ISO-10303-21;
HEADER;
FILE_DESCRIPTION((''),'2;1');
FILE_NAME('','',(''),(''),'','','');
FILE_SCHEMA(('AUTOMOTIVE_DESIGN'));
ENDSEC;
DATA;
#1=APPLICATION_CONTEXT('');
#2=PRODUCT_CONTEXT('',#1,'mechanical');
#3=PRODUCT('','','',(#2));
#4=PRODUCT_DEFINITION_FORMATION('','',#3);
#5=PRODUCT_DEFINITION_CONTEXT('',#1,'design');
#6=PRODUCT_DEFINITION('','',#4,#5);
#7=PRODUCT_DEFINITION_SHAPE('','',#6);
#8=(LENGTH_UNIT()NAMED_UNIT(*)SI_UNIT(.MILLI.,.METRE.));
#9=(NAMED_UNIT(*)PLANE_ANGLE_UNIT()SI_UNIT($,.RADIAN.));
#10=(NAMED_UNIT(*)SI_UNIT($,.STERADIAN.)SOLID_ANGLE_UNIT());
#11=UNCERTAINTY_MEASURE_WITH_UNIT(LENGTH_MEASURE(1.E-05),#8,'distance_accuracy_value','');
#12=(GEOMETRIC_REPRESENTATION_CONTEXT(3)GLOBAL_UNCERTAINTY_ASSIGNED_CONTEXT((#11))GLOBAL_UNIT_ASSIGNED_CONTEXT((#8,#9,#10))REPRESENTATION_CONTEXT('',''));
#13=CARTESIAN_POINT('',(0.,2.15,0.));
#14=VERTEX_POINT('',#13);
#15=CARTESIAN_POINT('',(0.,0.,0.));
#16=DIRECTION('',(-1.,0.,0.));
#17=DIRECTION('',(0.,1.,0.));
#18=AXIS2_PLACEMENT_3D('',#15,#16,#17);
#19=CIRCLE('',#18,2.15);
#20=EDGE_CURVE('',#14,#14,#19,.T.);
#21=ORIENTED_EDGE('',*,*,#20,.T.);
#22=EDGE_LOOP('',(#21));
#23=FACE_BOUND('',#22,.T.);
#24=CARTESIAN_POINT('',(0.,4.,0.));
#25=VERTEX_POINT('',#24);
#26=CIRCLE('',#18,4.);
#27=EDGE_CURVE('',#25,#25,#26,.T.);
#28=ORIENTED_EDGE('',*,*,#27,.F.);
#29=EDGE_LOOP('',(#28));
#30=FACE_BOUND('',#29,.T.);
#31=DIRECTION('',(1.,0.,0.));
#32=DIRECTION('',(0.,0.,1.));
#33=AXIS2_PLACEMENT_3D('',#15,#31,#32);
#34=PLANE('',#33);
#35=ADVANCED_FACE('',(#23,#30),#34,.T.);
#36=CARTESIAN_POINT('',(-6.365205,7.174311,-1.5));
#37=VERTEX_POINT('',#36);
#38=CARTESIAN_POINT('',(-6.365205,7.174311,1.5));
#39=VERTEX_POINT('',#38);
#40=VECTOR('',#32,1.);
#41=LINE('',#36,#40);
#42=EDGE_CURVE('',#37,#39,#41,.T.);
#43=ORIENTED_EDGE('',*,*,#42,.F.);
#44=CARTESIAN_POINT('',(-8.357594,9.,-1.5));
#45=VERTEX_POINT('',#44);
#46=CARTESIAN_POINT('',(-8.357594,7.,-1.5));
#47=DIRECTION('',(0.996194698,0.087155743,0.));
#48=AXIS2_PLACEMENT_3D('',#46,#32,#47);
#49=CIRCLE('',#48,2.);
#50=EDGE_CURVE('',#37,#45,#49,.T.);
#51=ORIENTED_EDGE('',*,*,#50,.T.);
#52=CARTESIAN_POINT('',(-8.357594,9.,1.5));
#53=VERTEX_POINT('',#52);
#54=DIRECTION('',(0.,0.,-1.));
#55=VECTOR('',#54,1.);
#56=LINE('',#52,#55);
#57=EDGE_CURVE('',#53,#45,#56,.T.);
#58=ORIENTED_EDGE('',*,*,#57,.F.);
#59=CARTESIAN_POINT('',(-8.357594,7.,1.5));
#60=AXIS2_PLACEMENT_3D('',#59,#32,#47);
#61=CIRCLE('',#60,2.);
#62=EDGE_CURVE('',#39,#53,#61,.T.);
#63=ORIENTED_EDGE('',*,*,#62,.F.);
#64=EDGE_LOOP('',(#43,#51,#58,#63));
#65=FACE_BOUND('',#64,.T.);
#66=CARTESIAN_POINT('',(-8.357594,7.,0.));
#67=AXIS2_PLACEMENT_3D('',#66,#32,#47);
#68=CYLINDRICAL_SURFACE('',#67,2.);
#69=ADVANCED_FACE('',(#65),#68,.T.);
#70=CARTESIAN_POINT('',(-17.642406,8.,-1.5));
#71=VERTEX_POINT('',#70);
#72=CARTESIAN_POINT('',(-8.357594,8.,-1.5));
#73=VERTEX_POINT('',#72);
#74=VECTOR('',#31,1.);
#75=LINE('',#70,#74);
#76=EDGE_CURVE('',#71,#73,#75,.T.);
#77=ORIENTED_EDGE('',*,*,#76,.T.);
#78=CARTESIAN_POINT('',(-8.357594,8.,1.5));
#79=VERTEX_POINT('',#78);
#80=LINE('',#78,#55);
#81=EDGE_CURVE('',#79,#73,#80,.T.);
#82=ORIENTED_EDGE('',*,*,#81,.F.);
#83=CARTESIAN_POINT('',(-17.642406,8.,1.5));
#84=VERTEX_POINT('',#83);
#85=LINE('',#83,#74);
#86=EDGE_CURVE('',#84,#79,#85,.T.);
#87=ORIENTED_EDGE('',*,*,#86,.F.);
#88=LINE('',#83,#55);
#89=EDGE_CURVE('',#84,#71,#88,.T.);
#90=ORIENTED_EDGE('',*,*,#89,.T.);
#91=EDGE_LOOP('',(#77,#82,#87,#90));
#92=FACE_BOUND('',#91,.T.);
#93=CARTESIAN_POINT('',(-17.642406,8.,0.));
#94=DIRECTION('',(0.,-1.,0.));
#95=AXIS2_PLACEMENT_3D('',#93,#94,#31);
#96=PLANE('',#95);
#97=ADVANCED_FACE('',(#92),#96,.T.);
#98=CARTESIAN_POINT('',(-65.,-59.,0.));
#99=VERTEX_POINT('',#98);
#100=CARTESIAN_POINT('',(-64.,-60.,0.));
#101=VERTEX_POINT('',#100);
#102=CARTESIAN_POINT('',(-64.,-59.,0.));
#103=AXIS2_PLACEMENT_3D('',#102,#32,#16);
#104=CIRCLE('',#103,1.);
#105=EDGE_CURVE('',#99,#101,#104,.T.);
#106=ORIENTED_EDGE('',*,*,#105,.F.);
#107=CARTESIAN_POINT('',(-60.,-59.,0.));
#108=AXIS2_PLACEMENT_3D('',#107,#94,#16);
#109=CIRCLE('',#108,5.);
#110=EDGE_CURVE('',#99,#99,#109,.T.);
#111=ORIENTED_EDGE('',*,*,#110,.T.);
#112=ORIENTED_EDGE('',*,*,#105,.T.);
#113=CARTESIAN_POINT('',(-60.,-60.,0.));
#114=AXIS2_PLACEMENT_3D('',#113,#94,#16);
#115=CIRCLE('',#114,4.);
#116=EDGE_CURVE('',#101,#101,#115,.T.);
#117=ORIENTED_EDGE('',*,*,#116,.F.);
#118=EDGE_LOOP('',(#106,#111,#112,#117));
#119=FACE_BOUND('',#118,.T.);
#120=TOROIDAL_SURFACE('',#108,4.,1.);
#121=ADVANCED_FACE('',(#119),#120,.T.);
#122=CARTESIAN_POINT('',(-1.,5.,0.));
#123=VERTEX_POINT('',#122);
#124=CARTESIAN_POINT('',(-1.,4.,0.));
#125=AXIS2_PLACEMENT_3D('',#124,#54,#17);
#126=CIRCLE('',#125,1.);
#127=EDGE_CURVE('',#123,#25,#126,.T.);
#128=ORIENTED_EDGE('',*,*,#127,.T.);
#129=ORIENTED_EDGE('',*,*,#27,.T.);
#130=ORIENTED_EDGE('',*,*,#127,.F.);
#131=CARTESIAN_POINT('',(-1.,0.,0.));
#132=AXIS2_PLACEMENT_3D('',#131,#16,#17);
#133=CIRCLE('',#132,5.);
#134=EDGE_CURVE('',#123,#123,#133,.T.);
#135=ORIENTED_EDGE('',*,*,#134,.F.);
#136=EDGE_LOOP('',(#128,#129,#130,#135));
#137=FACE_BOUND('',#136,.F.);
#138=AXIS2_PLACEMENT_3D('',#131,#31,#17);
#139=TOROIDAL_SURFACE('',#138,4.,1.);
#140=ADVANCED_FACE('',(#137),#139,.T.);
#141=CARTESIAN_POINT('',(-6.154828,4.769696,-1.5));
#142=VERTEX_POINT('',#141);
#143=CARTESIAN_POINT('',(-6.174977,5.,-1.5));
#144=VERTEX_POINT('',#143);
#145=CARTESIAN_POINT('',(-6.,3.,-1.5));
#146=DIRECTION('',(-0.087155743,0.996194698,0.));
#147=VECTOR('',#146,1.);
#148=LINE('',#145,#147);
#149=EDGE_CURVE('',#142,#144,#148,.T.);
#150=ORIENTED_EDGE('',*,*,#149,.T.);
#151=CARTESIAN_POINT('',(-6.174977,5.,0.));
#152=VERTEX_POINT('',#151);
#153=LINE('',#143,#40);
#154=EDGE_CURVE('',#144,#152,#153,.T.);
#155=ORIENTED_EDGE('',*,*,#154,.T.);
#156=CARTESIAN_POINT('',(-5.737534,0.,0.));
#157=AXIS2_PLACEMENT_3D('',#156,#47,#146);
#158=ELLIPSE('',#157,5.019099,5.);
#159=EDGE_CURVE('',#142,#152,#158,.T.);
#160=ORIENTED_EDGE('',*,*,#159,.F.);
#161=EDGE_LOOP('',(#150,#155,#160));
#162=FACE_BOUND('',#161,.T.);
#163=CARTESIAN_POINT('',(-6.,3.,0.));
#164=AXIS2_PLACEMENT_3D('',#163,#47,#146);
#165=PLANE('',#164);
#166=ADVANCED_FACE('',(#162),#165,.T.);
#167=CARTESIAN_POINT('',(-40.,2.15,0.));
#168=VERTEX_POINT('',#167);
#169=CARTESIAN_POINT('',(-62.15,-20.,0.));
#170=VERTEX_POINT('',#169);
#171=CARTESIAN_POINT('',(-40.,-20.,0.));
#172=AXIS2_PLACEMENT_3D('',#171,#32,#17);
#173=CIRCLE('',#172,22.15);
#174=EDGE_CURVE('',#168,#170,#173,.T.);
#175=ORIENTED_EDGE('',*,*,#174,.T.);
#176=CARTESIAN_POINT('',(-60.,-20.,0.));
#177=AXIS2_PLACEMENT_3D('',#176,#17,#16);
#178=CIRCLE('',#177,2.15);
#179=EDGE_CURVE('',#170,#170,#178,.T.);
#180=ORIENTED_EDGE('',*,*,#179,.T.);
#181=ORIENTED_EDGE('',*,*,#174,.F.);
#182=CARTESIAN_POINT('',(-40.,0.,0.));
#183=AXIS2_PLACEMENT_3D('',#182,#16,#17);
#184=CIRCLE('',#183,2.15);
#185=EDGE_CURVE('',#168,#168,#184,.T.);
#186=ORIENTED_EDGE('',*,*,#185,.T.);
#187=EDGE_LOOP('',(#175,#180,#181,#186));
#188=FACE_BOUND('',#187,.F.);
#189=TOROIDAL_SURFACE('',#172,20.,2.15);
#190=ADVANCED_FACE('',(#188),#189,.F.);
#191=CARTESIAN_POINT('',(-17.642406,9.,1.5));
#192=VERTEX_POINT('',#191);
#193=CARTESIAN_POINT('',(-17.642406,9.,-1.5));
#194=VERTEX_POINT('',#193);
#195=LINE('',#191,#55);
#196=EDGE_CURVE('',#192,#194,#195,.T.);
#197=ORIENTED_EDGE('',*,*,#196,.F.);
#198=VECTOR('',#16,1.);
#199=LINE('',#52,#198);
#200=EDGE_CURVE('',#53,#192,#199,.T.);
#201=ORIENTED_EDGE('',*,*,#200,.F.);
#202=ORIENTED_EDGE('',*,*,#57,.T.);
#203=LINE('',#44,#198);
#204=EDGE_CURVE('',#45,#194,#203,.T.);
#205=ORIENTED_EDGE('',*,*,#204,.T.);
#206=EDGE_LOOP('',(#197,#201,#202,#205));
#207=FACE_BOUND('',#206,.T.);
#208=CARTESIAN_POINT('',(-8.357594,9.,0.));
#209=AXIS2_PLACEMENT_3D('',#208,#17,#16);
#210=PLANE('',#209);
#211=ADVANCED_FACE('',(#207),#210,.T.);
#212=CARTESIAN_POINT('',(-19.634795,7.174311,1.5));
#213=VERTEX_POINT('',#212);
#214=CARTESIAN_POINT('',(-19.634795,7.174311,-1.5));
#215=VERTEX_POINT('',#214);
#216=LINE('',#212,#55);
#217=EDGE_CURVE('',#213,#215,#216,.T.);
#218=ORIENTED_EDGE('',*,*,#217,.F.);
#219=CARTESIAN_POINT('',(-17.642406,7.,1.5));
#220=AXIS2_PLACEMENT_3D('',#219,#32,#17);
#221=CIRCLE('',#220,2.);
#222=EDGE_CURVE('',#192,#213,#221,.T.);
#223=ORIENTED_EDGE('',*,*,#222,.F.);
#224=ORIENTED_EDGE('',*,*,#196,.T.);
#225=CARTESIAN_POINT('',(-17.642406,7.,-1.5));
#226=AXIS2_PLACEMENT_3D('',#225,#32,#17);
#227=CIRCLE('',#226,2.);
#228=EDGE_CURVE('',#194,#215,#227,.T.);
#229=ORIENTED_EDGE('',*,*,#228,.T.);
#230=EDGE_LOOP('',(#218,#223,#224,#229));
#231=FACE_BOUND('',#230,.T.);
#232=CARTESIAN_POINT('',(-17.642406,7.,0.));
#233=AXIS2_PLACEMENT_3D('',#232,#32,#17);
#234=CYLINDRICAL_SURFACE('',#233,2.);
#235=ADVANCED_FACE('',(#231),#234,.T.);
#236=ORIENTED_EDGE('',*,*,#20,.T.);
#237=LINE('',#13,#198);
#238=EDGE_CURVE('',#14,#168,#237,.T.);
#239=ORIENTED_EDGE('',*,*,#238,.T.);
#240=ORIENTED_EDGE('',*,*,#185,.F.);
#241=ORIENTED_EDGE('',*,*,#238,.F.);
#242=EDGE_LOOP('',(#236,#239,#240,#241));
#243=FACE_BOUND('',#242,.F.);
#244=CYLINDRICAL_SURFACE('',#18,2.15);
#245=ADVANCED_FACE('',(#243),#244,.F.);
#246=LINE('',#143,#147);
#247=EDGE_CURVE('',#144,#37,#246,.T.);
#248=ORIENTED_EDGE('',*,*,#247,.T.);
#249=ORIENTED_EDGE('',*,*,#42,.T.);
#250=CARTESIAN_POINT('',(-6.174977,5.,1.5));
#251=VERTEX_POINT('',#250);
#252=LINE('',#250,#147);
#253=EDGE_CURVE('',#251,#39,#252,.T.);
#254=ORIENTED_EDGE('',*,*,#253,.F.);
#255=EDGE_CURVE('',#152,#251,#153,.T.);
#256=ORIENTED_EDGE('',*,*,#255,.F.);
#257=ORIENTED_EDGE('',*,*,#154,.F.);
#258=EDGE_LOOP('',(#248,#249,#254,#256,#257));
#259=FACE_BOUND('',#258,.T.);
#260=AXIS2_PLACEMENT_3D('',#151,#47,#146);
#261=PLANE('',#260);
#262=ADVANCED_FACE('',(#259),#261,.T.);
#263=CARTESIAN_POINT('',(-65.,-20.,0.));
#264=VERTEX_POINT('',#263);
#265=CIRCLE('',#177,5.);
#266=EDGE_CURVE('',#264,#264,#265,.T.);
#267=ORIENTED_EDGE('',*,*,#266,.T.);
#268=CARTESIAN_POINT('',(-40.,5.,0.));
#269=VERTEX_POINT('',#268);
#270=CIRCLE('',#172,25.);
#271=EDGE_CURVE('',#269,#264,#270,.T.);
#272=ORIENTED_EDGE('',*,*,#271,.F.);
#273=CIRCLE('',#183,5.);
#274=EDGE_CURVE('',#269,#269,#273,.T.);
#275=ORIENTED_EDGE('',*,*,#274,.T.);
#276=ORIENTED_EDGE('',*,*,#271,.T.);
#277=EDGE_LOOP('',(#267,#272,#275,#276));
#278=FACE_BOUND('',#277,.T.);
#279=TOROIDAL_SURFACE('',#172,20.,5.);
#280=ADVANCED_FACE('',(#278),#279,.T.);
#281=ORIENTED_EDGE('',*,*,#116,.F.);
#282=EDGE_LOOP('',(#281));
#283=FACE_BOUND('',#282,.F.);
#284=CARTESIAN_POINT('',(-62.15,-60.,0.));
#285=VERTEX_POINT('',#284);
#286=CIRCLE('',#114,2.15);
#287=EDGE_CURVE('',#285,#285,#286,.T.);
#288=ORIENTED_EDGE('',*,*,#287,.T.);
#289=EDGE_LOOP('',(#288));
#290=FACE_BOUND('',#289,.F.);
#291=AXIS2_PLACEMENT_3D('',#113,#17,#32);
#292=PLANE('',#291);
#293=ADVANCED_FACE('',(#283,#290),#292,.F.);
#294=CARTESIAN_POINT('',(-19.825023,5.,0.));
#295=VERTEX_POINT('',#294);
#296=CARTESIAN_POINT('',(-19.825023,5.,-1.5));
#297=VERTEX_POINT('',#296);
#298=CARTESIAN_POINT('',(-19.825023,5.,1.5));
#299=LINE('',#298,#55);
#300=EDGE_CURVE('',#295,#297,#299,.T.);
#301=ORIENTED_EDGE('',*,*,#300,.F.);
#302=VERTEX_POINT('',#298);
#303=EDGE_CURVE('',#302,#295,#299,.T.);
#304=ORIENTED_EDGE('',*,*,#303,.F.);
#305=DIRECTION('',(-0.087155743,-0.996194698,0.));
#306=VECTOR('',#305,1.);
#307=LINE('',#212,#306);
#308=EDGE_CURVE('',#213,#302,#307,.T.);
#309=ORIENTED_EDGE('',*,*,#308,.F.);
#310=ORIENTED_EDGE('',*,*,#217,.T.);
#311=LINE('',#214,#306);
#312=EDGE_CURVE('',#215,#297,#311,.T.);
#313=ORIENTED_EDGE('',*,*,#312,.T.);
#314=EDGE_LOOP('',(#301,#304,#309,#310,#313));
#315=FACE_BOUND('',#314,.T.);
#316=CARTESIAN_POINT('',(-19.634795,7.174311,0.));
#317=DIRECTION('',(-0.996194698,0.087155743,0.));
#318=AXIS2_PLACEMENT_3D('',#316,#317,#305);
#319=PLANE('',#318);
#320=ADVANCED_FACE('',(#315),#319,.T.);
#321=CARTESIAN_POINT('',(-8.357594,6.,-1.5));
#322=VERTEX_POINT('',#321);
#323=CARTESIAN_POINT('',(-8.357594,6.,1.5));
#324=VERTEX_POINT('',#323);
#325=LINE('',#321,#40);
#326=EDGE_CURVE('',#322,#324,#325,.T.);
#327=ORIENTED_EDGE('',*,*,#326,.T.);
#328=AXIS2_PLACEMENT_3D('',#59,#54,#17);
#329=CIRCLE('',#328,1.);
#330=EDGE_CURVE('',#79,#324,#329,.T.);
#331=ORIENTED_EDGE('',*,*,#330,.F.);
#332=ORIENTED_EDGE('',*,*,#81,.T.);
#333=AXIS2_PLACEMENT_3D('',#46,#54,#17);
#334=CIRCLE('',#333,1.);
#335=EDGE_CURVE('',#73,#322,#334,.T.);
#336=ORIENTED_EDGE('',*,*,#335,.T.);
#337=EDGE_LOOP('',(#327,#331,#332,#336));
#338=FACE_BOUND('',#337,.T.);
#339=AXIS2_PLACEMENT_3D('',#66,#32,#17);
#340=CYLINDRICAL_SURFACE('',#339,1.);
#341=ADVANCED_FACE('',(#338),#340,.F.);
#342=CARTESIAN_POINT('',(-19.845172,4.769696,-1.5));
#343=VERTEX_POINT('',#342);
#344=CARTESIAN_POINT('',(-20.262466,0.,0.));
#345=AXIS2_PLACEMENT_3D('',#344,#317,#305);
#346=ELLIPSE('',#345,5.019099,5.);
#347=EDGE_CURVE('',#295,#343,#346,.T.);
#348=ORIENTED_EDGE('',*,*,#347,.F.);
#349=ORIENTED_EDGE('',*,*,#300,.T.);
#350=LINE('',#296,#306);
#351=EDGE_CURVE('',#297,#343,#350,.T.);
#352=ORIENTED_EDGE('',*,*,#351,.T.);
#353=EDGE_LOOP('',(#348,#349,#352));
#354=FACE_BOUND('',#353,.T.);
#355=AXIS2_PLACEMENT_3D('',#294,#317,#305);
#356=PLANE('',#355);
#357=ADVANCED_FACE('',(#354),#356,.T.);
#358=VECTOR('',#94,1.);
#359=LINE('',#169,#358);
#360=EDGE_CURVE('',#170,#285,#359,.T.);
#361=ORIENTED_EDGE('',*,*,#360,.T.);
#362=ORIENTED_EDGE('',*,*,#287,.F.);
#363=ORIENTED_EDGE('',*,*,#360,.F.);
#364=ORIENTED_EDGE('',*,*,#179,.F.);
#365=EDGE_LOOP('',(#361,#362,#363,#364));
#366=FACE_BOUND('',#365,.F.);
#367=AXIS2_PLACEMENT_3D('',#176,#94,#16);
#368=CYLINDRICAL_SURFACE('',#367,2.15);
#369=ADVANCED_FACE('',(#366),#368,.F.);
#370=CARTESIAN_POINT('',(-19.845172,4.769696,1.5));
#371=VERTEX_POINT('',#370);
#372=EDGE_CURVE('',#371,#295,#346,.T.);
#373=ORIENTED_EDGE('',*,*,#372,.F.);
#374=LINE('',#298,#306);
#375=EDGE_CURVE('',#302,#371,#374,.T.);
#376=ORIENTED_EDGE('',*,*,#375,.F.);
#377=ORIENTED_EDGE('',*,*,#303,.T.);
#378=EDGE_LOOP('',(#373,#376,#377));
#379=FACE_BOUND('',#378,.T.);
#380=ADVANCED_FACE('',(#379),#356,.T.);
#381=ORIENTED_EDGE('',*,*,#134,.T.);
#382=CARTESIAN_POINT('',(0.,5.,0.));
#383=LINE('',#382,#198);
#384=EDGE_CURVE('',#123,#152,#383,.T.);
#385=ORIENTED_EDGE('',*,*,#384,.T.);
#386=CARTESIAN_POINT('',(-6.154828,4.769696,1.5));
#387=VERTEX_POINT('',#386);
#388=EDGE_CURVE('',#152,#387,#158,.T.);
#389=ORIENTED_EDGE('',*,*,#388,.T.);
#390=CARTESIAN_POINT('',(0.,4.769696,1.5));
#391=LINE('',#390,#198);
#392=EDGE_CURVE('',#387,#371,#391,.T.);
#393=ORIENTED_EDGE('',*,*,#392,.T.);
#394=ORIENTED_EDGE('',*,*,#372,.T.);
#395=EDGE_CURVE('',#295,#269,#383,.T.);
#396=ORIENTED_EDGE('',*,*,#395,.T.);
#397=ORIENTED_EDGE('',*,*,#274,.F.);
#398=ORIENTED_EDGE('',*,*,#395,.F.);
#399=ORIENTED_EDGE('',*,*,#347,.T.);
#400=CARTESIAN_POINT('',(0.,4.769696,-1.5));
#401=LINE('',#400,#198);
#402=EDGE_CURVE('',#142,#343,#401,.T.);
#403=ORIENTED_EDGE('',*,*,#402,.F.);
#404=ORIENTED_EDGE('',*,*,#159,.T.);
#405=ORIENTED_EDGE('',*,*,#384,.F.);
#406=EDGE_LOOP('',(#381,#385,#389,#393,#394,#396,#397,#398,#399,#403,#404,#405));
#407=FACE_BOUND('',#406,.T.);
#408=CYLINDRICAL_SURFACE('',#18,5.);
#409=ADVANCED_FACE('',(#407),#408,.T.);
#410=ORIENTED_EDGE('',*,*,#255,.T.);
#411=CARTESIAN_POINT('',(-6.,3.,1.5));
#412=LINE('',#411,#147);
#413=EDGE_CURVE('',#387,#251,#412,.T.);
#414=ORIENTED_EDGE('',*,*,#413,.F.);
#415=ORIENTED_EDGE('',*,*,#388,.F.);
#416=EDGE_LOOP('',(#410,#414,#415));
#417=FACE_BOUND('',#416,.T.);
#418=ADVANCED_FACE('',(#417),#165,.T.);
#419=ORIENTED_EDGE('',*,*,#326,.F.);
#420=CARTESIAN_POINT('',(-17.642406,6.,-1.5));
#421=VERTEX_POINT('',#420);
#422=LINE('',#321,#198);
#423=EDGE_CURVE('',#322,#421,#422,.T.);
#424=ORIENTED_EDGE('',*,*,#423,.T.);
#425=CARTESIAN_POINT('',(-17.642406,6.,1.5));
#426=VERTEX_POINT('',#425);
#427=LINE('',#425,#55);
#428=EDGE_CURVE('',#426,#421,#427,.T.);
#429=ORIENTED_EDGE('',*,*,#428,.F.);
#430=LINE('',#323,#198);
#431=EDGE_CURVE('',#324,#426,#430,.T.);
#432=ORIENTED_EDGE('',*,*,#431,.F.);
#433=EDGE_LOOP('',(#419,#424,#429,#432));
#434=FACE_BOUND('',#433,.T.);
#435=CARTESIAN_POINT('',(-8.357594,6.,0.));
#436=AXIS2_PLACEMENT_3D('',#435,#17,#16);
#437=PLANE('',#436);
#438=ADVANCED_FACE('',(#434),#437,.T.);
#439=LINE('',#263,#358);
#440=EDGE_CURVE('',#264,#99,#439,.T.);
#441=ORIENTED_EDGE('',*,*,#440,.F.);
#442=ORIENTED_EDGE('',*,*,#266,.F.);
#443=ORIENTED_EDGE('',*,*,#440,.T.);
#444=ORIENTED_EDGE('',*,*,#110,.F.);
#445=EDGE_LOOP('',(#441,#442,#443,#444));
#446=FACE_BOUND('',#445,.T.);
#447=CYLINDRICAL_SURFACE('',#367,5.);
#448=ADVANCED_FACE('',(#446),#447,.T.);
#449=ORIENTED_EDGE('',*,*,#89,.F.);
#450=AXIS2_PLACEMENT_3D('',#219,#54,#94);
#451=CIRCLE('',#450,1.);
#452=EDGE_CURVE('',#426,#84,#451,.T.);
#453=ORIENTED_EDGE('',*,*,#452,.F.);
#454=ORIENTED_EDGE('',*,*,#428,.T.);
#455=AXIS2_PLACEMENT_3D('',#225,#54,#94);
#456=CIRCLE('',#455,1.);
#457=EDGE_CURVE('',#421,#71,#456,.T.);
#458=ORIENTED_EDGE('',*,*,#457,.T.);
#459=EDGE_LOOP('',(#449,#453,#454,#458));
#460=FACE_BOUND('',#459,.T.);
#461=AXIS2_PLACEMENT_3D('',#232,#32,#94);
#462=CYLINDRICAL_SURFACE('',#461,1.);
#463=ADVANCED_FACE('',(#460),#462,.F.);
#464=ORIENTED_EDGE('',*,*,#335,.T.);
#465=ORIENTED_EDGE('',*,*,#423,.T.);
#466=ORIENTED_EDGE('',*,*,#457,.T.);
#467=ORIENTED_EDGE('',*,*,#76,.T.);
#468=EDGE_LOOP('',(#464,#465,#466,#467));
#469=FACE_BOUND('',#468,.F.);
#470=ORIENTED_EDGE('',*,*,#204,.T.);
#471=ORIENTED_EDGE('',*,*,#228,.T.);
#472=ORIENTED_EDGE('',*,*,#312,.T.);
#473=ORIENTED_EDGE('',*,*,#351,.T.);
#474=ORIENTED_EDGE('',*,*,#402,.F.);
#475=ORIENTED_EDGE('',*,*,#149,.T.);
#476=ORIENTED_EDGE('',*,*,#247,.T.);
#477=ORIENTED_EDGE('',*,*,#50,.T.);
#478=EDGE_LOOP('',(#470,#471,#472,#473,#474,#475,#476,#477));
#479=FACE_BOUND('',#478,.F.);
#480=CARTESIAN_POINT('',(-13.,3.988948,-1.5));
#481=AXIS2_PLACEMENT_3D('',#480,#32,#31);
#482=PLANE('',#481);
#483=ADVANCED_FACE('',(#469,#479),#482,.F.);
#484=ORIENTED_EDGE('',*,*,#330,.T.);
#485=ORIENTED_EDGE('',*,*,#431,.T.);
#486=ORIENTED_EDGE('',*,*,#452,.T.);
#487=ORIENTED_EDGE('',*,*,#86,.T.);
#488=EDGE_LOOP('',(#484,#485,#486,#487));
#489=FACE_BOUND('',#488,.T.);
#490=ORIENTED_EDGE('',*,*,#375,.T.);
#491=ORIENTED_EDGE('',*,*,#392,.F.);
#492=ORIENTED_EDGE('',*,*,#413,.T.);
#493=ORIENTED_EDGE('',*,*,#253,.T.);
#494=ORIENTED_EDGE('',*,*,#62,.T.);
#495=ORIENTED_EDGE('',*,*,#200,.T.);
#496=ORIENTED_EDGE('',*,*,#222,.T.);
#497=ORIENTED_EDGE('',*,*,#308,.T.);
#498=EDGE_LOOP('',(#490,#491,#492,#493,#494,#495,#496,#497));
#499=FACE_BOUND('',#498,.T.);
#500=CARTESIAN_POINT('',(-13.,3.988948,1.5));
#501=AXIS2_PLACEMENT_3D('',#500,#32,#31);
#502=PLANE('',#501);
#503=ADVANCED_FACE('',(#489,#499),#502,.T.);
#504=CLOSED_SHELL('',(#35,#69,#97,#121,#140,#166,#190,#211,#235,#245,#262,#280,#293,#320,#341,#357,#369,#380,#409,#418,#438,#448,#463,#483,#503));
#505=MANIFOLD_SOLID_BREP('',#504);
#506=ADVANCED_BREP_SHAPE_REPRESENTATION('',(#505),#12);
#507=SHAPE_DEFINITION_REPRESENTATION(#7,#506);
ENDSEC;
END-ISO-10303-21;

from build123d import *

# Parameters (mm, degrees)
F1_R     = 5
F1_R_2   = 2.15
F3_R     = 1
F5_DEPTH = 1.5


with BuildPart() as f2:
    # F2: sweep along a path in F0
    with BuildLine(Plane.XY) as f2_path:
        Line((0, 0), (-40, 0))
        ThreePointArc((-40, 0), (-54.1421356237, -5.8578643763), (-60, -20))
        Line((-60, -20), (-60, -60))
    # F1 (on Right) → F2 (sweep)
    with BuildSketch(Plane.YZ):
        Circle(F1_R)
        Circle(F1_R_2, mode=Mode.SUBTRACT)
    sweep(path=f2_path.line)

    # F3
    f3_edges = [f2.edges().sort_by_distance(p)[0] for p in [
        (-55, -60, 0),
        (0, -5, 0),
    ]]
    fillet(f3_edges, radius=F3_R)

    # F4 (on Top) → F5 (join, symmetric)
    with BuildSketch(Plane.XY):
        Polygon((-19.8250226729, 5), (-20, 3), (-6, 3), (-6.1749773271, 5), align=None)
        with BuildLine():
            Line((-19.634795067, 7.1743114855), (-19.8250226729, 5))
            Line((-19.8250226729, 5), (-6.1749773271, 5))
            Line((-6.1749773271, 5), (-6.365204933, 7.1743114855))
            ThreePointArc((-6.365204933, 7.1743114855), (-7.006413914, 8.4745546736), (-8.3575943292, 9))
            Line((-8.3575943292, 9), (-17.6424056708, 9))
            ThreePointArc((-17.6424056708, 9), (-18.993586086, 8.4745546736), (-19.634795067, 7.1743114855))
        make_face()
        with BuildLine():
            Line((-8.3575943292, 6), (-17.6424056708, 6))
            ThreePointArc((-17.6424056708, 6), (-18.6424056708, 7), (-17.6424056708, 8))
            Line((-17.6424056708, 8), (-8.3575943292, 8))
            ThreePointArc((-8.3575943292, 8), (-7.3575943292, 7), (-8.3575943292, 6))
        make_face(mode=Mode.SUBTRACT)
    extrude(amount=F5_DEPTH, both=True)


solid = f2.part
